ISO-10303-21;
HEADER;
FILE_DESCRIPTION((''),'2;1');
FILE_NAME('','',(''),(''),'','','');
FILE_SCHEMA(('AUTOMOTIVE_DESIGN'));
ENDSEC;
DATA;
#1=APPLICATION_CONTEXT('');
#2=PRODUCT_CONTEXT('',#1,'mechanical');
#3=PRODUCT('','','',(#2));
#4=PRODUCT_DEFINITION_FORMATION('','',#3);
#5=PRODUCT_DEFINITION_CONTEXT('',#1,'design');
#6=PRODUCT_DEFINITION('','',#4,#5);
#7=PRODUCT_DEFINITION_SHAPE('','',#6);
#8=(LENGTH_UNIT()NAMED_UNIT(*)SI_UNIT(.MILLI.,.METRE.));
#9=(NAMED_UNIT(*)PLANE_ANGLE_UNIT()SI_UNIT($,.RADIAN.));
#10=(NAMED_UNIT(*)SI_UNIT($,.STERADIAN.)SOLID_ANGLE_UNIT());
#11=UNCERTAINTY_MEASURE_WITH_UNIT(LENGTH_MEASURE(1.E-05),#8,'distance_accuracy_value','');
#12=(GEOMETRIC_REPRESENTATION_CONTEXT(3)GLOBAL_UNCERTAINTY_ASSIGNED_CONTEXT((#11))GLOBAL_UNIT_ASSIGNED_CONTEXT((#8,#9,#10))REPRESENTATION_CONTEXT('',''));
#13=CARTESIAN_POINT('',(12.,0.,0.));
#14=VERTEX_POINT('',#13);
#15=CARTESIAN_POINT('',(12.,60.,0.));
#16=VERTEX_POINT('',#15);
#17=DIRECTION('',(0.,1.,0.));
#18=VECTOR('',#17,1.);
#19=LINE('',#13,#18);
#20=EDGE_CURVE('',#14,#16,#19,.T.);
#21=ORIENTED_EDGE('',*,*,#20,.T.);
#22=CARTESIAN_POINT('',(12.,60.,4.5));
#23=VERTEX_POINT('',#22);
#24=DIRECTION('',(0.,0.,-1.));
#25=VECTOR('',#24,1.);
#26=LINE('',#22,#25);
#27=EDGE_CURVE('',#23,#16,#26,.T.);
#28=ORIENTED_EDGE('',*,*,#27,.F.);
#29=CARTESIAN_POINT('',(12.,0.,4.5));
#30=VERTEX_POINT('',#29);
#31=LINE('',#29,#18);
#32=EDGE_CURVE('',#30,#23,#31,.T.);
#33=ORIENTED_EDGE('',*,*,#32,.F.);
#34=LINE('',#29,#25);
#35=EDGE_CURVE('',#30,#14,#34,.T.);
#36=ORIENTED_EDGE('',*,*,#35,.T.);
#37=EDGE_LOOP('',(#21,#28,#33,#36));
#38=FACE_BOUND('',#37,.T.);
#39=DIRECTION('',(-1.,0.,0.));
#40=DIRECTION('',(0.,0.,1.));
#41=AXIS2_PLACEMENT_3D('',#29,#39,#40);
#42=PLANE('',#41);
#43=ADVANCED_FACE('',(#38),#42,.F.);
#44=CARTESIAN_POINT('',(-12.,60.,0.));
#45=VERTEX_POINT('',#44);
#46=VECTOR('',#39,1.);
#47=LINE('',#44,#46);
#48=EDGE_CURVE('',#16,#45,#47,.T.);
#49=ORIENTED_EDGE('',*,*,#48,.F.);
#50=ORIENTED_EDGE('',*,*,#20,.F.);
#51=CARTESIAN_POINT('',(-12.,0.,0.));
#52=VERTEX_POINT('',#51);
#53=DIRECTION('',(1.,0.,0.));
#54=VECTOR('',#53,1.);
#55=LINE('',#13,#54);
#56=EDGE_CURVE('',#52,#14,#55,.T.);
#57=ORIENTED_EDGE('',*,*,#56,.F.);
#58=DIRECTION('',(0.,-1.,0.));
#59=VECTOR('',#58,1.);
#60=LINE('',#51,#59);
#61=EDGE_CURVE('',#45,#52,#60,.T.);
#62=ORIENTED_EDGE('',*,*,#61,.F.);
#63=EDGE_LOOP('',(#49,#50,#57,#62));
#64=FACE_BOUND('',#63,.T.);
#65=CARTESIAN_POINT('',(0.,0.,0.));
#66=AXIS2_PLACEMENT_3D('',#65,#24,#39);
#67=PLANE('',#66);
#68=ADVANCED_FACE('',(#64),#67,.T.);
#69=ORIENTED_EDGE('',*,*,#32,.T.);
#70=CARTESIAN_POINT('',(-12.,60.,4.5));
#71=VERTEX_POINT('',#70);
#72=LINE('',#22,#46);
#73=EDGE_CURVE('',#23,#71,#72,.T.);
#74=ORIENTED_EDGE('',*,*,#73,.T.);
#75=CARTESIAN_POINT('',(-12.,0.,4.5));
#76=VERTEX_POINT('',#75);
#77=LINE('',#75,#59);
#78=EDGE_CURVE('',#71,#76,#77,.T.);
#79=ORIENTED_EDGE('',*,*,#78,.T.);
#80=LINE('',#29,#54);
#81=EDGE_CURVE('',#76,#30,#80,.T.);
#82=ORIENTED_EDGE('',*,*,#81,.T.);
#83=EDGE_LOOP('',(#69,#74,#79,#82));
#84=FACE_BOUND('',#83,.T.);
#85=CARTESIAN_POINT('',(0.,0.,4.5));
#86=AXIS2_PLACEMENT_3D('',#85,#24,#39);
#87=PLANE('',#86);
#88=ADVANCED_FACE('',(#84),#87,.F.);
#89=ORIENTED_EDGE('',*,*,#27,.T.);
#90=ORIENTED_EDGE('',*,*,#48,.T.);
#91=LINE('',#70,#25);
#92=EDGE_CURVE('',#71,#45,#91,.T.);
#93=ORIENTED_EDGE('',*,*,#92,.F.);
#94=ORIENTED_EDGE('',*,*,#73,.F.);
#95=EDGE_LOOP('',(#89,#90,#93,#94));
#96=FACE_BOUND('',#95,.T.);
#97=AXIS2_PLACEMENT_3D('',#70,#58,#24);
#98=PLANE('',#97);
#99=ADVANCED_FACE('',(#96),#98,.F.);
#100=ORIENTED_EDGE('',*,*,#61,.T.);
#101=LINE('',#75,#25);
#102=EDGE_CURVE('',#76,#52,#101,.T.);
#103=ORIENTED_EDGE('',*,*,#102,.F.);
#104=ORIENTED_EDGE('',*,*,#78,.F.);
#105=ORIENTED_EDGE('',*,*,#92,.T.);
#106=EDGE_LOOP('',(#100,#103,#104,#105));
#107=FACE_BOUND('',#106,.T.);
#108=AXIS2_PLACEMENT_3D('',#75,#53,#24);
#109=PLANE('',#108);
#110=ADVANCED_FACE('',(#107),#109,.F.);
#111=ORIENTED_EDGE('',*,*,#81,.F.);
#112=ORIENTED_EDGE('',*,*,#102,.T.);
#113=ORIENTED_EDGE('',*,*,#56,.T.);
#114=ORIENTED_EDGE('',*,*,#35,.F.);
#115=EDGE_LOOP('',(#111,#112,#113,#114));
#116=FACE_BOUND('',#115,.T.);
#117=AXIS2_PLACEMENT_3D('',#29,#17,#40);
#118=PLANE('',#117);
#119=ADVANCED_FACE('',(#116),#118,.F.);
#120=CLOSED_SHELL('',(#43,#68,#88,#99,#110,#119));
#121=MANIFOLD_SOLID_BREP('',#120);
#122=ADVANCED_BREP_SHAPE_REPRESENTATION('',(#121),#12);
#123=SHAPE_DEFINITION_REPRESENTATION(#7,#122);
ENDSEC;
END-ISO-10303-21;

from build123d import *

# Parameters (mm, degrees)
BOSS_EXTRUDE1_DEPTH = 4.5


with BuildPart() as part:
    # Sketch1 → Boss-Extrude1 (new body)
    with BuildSketch(Plane.XY):
        Polygon((12, 0), (-12, 0), (-12, 60), (0, 60), (12, 60), align=None)
    extrude(amount=BOSS_EXTRUDE1_DEPTH)


solid = part.part
